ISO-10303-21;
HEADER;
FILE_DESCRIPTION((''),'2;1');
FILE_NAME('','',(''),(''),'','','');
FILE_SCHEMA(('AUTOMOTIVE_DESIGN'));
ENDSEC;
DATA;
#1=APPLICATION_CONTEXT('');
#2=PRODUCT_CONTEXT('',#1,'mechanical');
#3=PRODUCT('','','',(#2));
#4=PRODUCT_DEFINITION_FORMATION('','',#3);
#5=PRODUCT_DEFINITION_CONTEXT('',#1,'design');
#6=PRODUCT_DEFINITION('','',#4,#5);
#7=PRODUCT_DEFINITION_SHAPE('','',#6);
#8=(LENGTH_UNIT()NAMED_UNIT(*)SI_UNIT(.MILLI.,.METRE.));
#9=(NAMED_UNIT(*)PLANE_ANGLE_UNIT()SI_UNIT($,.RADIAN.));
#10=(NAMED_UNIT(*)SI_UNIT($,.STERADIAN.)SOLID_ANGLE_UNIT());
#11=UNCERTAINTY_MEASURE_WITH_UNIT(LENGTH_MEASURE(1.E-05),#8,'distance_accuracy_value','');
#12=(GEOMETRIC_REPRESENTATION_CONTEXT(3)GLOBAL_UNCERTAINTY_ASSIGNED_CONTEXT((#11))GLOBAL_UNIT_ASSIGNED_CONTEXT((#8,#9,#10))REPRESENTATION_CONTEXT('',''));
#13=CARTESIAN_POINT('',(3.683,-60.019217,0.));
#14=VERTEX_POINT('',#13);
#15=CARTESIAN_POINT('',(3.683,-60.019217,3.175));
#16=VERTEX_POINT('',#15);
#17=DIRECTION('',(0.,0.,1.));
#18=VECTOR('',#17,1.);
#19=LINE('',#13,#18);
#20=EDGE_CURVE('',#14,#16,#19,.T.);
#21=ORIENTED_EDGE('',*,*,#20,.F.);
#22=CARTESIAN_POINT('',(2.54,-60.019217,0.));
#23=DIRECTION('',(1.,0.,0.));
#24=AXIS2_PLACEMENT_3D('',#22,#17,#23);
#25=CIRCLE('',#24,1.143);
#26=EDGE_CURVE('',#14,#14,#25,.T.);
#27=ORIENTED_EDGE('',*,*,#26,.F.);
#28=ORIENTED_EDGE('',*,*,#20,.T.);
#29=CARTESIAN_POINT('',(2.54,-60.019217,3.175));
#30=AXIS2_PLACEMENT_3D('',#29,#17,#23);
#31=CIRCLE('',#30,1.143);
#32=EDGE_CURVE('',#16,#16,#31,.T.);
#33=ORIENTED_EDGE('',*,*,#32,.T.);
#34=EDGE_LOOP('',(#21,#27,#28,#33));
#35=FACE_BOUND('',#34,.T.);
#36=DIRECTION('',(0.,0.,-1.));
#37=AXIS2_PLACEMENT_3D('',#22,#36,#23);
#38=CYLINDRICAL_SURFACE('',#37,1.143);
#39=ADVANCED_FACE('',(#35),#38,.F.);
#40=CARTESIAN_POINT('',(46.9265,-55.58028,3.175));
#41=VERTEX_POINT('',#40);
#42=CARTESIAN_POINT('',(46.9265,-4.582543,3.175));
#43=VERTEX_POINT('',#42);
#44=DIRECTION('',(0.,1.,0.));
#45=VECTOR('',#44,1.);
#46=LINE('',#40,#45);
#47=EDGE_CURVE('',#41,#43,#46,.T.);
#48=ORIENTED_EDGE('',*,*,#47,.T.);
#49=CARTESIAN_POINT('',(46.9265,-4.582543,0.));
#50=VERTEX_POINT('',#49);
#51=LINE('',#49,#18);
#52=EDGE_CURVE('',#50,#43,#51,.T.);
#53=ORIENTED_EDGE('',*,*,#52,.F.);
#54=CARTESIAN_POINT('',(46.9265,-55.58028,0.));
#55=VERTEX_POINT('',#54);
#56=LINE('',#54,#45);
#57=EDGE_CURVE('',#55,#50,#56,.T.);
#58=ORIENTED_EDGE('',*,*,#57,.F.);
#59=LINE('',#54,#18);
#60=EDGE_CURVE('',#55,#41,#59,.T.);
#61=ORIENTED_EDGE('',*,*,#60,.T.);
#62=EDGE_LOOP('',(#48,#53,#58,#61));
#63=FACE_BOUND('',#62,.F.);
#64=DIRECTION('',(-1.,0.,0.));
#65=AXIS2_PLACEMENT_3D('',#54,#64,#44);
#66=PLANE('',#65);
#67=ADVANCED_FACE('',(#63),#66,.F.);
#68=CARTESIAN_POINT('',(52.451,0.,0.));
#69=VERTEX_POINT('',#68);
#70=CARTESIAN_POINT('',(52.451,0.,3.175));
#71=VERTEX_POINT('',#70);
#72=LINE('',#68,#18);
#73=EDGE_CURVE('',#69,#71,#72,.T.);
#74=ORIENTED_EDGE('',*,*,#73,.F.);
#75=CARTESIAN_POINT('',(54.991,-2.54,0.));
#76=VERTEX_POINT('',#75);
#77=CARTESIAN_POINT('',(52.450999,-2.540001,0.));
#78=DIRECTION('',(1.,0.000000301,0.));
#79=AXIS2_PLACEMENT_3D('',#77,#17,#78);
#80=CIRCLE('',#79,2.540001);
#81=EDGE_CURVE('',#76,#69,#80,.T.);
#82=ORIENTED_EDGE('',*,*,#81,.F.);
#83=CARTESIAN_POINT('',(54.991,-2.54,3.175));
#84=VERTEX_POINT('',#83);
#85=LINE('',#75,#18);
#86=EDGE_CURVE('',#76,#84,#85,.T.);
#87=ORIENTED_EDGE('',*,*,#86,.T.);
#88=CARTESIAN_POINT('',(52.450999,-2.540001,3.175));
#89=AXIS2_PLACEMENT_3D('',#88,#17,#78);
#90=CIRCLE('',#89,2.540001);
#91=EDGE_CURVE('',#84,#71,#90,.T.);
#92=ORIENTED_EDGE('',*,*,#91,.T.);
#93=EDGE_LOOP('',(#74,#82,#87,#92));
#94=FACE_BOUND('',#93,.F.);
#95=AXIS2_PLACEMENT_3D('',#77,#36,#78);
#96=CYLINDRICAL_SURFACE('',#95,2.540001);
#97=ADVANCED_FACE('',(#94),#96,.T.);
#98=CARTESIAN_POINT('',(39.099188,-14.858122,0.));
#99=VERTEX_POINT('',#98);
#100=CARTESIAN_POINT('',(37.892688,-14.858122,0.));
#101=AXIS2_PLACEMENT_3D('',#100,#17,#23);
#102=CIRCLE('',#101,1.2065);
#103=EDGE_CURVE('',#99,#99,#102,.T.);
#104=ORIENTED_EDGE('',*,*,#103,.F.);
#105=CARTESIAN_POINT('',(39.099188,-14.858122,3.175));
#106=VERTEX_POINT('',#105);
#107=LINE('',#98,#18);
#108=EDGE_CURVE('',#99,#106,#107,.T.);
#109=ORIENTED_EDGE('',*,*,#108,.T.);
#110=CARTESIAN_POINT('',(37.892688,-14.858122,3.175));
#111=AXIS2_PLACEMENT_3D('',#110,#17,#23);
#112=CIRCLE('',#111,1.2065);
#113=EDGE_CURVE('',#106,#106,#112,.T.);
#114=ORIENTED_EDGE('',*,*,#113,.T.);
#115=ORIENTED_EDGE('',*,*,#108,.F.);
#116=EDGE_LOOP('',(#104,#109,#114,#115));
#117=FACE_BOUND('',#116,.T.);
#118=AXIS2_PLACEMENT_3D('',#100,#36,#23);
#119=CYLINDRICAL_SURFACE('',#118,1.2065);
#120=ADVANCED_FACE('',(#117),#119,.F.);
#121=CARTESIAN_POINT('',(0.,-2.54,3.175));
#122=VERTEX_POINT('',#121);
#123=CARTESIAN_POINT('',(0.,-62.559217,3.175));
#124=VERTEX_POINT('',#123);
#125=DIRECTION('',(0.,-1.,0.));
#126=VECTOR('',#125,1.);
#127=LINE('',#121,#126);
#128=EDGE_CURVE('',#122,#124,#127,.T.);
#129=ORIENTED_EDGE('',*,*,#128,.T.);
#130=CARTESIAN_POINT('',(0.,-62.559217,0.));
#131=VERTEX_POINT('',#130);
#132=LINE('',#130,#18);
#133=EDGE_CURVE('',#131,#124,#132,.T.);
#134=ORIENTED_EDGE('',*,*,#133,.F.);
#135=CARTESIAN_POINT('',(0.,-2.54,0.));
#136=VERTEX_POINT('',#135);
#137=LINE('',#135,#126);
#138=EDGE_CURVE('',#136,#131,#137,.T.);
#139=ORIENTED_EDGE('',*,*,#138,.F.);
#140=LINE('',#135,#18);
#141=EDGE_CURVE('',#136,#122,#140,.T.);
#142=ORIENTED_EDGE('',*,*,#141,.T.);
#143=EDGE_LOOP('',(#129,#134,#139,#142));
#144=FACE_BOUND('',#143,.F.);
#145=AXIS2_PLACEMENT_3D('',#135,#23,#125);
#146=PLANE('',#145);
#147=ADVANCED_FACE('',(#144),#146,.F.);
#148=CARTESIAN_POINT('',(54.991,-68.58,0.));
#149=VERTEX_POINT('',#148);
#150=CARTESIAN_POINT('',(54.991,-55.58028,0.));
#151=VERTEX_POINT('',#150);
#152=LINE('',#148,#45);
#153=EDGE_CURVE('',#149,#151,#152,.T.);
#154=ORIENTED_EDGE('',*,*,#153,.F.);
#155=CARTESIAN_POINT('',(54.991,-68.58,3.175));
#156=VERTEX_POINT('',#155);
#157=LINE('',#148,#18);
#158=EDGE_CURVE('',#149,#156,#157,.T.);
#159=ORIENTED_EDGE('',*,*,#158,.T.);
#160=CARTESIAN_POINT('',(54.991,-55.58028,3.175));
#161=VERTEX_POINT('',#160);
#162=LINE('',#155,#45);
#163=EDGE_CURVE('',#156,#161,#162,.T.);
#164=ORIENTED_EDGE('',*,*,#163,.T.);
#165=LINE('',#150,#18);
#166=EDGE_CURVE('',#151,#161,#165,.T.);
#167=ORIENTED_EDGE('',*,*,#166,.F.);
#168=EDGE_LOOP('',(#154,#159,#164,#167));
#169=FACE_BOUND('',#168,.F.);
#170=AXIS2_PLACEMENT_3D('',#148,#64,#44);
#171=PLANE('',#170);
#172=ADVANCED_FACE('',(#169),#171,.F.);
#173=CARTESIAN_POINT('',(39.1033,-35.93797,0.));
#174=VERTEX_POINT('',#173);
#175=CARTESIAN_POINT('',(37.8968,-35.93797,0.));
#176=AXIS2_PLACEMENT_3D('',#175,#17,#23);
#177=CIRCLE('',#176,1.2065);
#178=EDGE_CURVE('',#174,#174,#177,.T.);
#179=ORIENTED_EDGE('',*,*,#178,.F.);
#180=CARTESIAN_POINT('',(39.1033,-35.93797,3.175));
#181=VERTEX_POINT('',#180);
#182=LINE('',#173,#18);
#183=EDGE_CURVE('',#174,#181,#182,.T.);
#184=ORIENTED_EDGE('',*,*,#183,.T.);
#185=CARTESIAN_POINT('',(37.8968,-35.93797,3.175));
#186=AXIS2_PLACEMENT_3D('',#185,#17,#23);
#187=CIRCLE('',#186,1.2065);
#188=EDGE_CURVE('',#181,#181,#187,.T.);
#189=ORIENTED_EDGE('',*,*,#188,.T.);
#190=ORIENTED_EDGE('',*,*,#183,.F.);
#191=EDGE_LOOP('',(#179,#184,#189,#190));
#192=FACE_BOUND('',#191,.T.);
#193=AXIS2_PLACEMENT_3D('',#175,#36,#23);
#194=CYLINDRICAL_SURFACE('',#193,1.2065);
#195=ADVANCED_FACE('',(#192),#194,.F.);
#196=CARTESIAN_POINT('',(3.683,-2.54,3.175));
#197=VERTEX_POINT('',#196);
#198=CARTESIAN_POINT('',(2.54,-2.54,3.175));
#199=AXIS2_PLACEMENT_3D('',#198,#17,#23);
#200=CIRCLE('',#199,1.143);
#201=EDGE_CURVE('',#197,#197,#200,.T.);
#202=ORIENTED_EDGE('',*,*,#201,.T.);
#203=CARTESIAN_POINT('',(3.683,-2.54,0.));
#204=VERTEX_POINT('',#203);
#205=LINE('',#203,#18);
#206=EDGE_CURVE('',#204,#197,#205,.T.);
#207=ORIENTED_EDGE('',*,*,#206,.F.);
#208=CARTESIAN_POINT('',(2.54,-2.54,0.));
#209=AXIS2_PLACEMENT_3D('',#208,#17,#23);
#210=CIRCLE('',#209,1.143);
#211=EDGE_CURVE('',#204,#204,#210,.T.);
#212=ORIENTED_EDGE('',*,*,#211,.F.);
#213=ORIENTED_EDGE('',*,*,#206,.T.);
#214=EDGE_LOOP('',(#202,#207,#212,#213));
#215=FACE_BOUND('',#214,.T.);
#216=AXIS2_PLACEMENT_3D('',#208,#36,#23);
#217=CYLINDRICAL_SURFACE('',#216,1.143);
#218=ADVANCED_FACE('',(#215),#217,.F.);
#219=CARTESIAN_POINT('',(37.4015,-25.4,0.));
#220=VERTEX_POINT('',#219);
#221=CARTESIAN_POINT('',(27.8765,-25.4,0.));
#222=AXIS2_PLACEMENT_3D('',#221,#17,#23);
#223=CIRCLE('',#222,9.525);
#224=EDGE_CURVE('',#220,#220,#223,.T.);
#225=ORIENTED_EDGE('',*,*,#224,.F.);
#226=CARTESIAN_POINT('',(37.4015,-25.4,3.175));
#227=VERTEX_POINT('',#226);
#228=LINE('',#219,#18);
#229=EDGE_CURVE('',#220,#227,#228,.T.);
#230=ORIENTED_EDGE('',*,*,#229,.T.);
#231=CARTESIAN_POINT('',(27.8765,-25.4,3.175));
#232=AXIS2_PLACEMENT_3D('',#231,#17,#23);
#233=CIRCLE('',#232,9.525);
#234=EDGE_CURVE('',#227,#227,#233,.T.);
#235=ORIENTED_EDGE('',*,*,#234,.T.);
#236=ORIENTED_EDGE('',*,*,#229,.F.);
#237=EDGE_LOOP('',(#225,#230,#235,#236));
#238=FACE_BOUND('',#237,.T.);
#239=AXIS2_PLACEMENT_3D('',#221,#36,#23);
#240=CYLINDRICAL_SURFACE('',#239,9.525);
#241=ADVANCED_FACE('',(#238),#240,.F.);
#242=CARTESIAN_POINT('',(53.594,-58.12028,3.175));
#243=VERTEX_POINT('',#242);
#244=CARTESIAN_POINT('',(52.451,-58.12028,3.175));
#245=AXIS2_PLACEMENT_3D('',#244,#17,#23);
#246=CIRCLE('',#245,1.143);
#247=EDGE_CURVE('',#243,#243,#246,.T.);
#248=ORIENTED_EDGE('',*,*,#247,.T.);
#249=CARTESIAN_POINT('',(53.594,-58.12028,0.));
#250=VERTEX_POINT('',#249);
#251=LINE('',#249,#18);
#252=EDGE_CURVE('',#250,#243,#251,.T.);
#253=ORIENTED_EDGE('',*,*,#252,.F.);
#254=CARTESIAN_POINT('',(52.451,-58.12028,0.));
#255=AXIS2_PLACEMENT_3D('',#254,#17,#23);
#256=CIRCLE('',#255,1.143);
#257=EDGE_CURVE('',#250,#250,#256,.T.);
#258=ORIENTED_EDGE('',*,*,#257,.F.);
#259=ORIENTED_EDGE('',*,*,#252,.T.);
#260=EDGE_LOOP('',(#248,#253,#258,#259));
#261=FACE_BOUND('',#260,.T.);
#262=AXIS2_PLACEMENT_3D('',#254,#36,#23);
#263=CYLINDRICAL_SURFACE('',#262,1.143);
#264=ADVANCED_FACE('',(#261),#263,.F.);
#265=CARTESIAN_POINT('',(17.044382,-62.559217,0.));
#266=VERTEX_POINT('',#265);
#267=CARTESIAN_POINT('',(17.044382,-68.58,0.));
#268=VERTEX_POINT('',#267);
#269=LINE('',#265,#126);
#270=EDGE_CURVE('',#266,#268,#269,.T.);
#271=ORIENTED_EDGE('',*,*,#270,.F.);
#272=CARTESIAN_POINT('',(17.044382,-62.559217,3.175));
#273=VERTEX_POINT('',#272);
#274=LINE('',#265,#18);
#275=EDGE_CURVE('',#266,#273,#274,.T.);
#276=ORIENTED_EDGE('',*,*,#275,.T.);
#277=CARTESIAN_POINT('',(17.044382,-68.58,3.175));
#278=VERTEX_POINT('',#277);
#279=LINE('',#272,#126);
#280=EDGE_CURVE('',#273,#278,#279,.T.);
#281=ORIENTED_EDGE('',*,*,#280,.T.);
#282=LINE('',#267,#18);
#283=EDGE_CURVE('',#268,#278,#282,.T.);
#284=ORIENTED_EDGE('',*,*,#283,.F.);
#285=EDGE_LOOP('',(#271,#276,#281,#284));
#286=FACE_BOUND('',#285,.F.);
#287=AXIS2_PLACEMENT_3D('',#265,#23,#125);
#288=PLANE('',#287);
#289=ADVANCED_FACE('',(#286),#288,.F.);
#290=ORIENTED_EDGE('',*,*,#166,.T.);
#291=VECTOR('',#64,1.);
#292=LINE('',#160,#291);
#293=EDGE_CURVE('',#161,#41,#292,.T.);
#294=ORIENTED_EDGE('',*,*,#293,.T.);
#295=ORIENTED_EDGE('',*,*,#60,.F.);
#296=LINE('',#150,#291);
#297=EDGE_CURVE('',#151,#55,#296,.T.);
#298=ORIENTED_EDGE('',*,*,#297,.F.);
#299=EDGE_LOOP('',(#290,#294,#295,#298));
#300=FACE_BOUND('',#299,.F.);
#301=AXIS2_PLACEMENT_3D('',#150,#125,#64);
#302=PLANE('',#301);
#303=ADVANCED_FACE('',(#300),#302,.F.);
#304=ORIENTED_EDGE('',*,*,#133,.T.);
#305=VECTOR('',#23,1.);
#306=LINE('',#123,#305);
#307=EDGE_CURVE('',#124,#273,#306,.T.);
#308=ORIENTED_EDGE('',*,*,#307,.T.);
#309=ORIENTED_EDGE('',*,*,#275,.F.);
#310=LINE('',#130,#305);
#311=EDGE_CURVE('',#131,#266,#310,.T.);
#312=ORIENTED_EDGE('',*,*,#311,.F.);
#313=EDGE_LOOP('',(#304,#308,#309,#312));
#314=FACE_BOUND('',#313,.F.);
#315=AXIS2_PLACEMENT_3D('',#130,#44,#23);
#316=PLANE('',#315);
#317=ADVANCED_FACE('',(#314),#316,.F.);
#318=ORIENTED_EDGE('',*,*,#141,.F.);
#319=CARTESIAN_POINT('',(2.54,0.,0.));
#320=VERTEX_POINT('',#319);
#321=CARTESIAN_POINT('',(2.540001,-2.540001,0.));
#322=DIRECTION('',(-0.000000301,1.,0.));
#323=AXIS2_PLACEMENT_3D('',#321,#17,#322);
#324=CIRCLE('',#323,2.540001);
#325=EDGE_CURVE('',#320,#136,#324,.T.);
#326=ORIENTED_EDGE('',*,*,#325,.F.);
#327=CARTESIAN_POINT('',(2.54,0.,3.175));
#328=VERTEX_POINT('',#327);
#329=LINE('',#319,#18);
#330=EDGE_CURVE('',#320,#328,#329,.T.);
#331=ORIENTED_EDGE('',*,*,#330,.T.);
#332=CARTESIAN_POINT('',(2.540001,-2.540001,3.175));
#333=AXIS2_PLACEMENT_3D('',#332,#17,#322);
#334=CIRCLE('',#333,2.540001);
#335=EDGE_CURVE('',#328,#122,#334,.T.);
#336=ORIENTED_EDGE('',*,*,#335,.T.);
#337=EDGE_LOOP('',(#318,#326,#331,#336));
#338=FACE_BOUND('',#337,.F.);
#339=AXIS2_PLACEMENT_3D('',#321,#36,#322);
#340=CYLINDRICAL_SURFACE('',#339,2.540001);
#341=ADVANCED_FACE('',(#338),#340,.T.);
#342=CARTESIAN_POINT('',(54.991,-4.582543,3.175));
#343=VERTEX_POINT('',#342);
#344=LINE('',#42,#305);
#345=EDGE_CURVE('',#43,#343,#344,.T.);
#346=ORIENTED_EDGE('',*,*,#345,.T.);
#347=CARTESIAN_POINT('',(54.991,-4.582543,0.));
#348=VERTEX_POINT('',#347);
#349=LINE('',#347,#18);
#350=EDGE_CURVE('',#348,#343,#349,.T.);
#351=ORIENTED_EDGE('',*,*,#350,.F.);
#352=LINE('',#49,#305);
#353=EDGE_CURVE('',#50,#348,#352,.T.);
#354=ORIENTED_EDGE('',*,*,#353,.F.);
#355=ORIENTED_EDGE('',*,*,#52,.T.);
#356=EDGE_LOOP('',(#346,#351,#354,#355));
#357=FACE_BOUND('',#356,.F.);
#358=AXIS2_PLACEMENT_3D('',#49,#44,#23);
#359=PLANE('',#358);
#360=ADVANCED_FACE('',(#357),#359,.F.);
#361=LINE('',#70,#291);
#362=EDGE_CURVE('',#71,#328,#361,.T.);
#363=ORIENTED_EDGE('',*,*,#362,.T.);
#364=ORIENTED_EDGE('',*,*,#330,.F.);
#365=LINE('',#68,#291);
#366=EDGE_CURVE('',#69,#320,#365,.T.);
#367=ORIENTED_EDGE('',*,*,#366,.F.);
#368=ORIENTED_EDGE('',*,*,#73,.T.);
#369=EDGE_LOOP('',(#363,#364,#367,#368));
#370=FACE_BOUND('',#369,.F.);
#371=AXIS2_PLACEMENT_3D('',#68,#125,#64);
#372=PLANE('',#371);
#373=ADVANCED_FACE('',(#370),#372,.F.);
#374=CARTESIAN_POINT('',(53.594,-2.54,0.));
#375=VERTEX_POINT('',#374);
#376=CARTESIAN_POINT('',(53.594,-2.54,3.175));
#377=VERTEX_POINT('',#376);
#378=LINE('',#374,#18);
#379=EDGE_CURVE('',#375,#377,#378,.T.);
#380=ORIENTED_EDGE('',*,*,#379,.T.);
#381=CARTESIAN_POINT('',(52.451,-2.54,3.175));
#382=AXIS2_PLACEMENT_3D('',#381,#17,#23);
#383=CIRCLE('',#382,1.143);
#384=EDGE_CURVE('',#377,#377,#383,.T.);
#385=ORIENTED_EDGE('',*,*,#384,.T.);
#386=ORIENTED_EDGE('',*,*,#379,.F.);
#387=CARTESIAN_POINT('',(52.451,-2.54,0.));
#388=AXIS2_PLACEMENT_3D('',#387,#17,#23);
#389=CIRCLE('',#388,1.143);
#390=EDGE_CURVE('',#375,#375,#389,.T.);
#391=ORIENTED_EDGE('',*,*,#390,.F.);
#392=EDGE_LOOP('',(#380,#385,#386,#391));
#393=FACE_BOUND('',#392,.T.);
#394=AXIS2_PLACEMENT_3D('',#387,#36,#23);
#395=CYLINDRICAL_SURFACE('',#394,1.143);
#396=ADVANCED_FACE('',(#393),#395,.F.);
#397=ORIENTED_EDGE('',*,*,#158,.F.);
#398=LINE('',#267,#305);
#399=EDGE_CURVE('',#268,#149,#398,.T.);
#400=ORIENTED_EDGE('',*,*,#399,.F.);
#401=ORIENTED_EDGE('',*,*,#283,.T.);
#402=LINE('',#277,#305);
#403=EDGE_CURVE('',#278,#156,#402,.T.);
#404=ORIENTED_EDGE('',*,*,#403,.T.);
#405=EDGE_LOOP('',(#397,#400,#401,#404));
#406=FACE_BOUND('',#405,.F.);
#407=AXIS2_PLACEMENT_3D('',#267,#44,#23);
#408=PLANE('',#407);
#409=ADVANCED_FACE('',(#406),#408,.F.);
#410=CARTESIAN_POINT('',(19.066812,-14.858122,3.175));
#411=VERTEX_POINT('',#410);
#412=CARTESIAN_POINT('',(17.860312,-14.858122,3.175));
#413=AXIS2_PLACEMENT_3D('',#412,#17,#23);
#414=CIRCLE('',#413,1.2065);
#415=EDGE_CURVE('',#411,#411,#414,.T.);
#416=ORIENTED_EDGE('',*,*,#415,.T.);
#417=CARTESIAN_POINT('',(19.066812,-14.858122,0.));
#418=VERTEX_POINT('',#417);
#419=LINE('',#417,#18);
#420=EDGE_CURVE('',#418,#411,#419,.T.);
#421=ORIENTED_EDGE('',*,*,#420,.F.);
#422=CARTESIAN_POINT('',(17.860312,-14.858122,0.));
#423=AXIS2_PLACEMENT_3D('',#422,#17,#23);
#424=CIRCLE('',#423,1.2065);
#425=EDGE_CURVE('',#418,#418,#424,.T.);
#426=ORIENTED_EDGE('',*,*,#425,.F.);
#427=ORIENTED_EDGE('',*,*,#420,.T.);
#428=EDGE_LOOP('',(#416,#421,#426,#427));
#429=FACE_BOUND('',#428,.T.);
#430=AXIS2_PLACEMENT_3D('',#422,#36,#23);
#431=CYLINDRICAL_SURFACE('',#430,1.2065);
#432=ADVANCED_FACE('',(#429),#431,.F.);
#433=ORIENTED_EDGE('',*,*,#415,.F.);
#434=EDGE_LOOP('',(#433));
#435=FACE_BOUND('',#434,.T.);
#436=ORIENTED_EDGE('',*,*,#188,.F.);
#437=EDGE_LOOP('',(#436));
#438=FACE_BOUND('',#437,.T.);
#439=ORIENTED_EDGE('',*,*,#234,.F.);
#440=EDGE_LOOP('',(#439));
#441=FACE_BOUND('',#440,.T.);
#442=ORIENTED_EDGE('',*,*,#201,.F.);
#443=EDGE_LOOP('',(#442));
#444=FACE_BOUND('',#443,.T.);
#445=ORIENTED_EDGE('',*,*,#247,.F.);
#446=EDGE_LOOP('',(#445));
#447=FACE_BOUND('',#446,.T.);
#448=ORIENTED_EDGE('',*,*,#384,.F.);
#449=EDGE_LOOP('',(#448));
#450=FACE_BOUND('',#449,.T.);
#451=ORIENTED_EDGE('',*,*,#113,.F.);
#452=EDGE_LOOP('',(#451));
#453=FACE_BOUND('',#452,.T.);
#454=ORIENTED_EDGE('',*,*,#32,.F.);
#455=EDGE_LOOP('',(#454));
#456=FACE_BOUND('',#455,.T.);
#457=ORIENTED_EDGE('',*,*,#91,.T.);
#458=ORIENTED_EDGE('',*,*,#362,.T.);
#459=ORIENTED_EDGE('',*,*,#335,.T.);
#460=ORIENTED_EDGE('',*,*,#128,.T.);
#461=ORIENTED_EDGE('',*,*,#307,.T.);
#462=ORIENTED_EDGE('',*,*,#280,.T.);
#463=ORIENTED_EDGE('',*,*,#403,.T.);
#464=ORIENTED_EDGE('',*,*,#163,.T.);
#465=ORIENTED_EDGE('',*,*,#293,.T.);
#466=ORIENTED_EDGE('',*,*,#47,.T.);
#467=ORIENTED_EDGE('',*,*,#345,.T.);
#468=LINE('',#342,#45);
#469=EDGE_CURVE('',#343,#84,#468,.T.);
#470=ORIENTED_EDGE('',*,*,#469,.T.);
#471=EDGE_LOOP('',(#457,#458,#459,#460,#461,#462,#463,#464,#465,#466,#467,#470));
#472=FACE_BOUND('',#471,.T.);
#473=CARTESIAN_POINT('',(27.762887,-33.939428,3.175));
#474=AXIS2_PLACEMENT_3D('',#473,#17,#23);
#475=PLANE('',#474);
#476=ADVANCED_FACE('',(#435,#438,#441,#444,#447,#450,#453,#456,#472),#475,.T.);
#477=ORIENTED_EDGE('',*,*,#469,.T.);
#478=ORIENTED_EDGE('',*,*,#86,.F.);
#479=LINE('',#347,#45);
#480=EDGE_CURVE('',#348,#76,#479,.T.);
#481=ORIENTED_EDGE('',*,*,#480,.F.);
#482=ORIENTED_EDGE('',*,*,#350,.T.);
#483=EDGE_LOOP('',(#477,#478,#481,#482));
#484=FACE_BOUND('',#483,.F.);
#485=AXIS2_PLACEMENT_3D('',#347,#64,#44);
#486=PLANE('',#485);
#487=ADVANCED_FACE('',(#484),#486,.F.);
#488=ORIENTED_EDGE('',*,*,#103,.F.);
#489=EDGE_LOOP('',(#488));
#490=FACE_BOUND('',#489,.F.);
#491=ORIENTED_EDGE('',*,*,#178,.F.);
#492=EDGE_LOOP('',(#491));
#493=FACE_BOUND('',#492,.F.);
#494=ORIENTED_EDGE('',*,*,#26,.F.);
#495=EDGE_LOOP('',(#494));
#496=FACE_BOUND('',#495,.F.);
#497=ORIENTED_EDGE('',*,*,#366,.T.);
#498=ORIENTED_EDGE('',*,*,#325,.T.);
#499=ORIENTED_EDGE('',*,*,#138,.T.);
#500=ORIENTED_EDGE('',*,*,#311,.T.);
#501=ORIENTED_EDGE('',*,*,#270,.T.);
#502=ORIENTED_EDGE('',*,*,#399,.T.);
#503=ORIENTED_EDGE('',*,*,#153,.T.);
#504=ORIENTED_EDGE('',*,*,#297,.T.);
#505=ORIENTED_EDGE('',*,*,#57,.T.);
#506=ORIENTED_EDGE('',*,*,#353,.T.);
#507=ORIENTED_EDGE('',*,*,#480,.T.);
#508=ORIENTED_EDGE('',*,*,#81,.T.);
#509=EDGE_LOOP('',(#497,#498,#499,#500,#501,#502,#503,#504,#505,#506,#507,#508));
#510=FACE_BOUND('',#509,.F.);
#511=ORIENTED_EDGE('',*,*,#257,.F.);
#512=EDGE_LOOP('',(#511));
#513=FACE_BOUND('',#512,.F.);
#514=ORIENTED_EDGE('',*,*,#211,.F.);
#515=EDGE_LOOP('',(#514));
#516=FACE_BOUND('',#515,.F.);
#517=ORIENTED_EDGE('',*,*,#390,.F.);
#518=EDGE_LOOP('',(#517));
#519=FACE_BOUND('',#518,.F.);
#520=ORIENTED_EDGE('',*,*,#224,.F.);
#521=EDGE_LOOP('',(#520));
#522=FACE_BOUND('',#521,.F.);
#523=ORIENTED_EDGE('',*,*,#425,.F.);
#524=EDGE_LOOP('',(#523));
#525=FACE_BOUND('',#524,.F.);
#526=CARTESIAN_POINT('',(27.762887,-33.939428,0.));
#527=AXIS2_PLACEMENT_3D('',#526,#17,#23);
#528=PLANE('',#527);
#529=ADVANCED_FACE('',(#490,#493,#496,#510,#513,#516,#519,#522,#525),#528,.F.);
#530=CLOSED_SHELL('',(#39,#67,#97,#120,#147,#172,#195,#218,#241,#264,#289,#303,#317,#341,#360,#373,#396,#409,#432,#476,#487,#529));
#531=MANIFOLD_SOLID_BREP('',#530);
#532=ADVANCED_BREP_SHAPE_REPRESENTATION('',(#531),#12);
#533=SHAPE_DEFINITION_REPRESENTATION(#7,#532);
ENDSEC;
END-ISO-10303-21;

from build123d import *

# Parameters (mm, degrees)
F0_R     = 1.143
F0_R_2   = 1.2065
F0_R_3   = 9.525
F1_DEPTH = 3.175


with BuildPart() as f1:
    # F0 (on Top) → F1 (new body)
    with BuildSketch(Plane.XY):
        with BuildLine():
            Line((52.451, 0), (2.54, 0))
            ThreePointArc((2.54, 0), (0.743949, -0.743949), (0, -2.54))
            Line((0, -2.54), (0, -62.559217))
            Line((0, -62.559217), (17.044382, -62.559217))
            Line((17.044382, -62.559217), (17.044382, -68.58))
            Line((17.044382, -68.58), (54.991, -68.58))
            Line((54.991, -68.58), (54.991, -55.58028))
            Line((54.991, -55.58028), (46.9265, -55.58028))
            Line((46.9265, -55.58028), (46.9265, -4.582543))
            Line((46.9265, -4.582543), (54.991, -4.582543))
            Line((54.991, -4.582543), (54.991, -2.54))
            ThreePointArc((54.991, -2.54), (54.247051, -0.743949), (52.451, 0))
        make_face()
        with Locations((2.54, -60.019217)):
            Circle(F0_R, mode=Mode.SUBTRACT)
        with Locations((52.451, -58.12028)):
            Circle(F0_R, mode=Mode.SUBTRACT)
        with Locations((37.8968, -35.93797)):
            Circle(F0_R_2, mode=Mode.SUBTRACT)
        with Locations((2.54, -2.54)):
            Circle(F0_R, mode=Mode.SUBTRACT)
        with Locations((17.860312, -14.858122)):
            Circle(F0_R_2, mode=Mode.SUBTRACT)
        with Locations((27.8765, -25.4)):
            Circle(F0_R_3, mode=Mode.SUBTRACT)
        with Locations((37.892688, -14.858122)):
            Circle(F0_R_2, mode=Mode.SUBTRACT)
        with Locations((52.451, -2.54)):
            Circle(F0_R, mode=Mode.SUBTRACT)
    extrude(amount=F1_DEPTH)


solid = f1.part
